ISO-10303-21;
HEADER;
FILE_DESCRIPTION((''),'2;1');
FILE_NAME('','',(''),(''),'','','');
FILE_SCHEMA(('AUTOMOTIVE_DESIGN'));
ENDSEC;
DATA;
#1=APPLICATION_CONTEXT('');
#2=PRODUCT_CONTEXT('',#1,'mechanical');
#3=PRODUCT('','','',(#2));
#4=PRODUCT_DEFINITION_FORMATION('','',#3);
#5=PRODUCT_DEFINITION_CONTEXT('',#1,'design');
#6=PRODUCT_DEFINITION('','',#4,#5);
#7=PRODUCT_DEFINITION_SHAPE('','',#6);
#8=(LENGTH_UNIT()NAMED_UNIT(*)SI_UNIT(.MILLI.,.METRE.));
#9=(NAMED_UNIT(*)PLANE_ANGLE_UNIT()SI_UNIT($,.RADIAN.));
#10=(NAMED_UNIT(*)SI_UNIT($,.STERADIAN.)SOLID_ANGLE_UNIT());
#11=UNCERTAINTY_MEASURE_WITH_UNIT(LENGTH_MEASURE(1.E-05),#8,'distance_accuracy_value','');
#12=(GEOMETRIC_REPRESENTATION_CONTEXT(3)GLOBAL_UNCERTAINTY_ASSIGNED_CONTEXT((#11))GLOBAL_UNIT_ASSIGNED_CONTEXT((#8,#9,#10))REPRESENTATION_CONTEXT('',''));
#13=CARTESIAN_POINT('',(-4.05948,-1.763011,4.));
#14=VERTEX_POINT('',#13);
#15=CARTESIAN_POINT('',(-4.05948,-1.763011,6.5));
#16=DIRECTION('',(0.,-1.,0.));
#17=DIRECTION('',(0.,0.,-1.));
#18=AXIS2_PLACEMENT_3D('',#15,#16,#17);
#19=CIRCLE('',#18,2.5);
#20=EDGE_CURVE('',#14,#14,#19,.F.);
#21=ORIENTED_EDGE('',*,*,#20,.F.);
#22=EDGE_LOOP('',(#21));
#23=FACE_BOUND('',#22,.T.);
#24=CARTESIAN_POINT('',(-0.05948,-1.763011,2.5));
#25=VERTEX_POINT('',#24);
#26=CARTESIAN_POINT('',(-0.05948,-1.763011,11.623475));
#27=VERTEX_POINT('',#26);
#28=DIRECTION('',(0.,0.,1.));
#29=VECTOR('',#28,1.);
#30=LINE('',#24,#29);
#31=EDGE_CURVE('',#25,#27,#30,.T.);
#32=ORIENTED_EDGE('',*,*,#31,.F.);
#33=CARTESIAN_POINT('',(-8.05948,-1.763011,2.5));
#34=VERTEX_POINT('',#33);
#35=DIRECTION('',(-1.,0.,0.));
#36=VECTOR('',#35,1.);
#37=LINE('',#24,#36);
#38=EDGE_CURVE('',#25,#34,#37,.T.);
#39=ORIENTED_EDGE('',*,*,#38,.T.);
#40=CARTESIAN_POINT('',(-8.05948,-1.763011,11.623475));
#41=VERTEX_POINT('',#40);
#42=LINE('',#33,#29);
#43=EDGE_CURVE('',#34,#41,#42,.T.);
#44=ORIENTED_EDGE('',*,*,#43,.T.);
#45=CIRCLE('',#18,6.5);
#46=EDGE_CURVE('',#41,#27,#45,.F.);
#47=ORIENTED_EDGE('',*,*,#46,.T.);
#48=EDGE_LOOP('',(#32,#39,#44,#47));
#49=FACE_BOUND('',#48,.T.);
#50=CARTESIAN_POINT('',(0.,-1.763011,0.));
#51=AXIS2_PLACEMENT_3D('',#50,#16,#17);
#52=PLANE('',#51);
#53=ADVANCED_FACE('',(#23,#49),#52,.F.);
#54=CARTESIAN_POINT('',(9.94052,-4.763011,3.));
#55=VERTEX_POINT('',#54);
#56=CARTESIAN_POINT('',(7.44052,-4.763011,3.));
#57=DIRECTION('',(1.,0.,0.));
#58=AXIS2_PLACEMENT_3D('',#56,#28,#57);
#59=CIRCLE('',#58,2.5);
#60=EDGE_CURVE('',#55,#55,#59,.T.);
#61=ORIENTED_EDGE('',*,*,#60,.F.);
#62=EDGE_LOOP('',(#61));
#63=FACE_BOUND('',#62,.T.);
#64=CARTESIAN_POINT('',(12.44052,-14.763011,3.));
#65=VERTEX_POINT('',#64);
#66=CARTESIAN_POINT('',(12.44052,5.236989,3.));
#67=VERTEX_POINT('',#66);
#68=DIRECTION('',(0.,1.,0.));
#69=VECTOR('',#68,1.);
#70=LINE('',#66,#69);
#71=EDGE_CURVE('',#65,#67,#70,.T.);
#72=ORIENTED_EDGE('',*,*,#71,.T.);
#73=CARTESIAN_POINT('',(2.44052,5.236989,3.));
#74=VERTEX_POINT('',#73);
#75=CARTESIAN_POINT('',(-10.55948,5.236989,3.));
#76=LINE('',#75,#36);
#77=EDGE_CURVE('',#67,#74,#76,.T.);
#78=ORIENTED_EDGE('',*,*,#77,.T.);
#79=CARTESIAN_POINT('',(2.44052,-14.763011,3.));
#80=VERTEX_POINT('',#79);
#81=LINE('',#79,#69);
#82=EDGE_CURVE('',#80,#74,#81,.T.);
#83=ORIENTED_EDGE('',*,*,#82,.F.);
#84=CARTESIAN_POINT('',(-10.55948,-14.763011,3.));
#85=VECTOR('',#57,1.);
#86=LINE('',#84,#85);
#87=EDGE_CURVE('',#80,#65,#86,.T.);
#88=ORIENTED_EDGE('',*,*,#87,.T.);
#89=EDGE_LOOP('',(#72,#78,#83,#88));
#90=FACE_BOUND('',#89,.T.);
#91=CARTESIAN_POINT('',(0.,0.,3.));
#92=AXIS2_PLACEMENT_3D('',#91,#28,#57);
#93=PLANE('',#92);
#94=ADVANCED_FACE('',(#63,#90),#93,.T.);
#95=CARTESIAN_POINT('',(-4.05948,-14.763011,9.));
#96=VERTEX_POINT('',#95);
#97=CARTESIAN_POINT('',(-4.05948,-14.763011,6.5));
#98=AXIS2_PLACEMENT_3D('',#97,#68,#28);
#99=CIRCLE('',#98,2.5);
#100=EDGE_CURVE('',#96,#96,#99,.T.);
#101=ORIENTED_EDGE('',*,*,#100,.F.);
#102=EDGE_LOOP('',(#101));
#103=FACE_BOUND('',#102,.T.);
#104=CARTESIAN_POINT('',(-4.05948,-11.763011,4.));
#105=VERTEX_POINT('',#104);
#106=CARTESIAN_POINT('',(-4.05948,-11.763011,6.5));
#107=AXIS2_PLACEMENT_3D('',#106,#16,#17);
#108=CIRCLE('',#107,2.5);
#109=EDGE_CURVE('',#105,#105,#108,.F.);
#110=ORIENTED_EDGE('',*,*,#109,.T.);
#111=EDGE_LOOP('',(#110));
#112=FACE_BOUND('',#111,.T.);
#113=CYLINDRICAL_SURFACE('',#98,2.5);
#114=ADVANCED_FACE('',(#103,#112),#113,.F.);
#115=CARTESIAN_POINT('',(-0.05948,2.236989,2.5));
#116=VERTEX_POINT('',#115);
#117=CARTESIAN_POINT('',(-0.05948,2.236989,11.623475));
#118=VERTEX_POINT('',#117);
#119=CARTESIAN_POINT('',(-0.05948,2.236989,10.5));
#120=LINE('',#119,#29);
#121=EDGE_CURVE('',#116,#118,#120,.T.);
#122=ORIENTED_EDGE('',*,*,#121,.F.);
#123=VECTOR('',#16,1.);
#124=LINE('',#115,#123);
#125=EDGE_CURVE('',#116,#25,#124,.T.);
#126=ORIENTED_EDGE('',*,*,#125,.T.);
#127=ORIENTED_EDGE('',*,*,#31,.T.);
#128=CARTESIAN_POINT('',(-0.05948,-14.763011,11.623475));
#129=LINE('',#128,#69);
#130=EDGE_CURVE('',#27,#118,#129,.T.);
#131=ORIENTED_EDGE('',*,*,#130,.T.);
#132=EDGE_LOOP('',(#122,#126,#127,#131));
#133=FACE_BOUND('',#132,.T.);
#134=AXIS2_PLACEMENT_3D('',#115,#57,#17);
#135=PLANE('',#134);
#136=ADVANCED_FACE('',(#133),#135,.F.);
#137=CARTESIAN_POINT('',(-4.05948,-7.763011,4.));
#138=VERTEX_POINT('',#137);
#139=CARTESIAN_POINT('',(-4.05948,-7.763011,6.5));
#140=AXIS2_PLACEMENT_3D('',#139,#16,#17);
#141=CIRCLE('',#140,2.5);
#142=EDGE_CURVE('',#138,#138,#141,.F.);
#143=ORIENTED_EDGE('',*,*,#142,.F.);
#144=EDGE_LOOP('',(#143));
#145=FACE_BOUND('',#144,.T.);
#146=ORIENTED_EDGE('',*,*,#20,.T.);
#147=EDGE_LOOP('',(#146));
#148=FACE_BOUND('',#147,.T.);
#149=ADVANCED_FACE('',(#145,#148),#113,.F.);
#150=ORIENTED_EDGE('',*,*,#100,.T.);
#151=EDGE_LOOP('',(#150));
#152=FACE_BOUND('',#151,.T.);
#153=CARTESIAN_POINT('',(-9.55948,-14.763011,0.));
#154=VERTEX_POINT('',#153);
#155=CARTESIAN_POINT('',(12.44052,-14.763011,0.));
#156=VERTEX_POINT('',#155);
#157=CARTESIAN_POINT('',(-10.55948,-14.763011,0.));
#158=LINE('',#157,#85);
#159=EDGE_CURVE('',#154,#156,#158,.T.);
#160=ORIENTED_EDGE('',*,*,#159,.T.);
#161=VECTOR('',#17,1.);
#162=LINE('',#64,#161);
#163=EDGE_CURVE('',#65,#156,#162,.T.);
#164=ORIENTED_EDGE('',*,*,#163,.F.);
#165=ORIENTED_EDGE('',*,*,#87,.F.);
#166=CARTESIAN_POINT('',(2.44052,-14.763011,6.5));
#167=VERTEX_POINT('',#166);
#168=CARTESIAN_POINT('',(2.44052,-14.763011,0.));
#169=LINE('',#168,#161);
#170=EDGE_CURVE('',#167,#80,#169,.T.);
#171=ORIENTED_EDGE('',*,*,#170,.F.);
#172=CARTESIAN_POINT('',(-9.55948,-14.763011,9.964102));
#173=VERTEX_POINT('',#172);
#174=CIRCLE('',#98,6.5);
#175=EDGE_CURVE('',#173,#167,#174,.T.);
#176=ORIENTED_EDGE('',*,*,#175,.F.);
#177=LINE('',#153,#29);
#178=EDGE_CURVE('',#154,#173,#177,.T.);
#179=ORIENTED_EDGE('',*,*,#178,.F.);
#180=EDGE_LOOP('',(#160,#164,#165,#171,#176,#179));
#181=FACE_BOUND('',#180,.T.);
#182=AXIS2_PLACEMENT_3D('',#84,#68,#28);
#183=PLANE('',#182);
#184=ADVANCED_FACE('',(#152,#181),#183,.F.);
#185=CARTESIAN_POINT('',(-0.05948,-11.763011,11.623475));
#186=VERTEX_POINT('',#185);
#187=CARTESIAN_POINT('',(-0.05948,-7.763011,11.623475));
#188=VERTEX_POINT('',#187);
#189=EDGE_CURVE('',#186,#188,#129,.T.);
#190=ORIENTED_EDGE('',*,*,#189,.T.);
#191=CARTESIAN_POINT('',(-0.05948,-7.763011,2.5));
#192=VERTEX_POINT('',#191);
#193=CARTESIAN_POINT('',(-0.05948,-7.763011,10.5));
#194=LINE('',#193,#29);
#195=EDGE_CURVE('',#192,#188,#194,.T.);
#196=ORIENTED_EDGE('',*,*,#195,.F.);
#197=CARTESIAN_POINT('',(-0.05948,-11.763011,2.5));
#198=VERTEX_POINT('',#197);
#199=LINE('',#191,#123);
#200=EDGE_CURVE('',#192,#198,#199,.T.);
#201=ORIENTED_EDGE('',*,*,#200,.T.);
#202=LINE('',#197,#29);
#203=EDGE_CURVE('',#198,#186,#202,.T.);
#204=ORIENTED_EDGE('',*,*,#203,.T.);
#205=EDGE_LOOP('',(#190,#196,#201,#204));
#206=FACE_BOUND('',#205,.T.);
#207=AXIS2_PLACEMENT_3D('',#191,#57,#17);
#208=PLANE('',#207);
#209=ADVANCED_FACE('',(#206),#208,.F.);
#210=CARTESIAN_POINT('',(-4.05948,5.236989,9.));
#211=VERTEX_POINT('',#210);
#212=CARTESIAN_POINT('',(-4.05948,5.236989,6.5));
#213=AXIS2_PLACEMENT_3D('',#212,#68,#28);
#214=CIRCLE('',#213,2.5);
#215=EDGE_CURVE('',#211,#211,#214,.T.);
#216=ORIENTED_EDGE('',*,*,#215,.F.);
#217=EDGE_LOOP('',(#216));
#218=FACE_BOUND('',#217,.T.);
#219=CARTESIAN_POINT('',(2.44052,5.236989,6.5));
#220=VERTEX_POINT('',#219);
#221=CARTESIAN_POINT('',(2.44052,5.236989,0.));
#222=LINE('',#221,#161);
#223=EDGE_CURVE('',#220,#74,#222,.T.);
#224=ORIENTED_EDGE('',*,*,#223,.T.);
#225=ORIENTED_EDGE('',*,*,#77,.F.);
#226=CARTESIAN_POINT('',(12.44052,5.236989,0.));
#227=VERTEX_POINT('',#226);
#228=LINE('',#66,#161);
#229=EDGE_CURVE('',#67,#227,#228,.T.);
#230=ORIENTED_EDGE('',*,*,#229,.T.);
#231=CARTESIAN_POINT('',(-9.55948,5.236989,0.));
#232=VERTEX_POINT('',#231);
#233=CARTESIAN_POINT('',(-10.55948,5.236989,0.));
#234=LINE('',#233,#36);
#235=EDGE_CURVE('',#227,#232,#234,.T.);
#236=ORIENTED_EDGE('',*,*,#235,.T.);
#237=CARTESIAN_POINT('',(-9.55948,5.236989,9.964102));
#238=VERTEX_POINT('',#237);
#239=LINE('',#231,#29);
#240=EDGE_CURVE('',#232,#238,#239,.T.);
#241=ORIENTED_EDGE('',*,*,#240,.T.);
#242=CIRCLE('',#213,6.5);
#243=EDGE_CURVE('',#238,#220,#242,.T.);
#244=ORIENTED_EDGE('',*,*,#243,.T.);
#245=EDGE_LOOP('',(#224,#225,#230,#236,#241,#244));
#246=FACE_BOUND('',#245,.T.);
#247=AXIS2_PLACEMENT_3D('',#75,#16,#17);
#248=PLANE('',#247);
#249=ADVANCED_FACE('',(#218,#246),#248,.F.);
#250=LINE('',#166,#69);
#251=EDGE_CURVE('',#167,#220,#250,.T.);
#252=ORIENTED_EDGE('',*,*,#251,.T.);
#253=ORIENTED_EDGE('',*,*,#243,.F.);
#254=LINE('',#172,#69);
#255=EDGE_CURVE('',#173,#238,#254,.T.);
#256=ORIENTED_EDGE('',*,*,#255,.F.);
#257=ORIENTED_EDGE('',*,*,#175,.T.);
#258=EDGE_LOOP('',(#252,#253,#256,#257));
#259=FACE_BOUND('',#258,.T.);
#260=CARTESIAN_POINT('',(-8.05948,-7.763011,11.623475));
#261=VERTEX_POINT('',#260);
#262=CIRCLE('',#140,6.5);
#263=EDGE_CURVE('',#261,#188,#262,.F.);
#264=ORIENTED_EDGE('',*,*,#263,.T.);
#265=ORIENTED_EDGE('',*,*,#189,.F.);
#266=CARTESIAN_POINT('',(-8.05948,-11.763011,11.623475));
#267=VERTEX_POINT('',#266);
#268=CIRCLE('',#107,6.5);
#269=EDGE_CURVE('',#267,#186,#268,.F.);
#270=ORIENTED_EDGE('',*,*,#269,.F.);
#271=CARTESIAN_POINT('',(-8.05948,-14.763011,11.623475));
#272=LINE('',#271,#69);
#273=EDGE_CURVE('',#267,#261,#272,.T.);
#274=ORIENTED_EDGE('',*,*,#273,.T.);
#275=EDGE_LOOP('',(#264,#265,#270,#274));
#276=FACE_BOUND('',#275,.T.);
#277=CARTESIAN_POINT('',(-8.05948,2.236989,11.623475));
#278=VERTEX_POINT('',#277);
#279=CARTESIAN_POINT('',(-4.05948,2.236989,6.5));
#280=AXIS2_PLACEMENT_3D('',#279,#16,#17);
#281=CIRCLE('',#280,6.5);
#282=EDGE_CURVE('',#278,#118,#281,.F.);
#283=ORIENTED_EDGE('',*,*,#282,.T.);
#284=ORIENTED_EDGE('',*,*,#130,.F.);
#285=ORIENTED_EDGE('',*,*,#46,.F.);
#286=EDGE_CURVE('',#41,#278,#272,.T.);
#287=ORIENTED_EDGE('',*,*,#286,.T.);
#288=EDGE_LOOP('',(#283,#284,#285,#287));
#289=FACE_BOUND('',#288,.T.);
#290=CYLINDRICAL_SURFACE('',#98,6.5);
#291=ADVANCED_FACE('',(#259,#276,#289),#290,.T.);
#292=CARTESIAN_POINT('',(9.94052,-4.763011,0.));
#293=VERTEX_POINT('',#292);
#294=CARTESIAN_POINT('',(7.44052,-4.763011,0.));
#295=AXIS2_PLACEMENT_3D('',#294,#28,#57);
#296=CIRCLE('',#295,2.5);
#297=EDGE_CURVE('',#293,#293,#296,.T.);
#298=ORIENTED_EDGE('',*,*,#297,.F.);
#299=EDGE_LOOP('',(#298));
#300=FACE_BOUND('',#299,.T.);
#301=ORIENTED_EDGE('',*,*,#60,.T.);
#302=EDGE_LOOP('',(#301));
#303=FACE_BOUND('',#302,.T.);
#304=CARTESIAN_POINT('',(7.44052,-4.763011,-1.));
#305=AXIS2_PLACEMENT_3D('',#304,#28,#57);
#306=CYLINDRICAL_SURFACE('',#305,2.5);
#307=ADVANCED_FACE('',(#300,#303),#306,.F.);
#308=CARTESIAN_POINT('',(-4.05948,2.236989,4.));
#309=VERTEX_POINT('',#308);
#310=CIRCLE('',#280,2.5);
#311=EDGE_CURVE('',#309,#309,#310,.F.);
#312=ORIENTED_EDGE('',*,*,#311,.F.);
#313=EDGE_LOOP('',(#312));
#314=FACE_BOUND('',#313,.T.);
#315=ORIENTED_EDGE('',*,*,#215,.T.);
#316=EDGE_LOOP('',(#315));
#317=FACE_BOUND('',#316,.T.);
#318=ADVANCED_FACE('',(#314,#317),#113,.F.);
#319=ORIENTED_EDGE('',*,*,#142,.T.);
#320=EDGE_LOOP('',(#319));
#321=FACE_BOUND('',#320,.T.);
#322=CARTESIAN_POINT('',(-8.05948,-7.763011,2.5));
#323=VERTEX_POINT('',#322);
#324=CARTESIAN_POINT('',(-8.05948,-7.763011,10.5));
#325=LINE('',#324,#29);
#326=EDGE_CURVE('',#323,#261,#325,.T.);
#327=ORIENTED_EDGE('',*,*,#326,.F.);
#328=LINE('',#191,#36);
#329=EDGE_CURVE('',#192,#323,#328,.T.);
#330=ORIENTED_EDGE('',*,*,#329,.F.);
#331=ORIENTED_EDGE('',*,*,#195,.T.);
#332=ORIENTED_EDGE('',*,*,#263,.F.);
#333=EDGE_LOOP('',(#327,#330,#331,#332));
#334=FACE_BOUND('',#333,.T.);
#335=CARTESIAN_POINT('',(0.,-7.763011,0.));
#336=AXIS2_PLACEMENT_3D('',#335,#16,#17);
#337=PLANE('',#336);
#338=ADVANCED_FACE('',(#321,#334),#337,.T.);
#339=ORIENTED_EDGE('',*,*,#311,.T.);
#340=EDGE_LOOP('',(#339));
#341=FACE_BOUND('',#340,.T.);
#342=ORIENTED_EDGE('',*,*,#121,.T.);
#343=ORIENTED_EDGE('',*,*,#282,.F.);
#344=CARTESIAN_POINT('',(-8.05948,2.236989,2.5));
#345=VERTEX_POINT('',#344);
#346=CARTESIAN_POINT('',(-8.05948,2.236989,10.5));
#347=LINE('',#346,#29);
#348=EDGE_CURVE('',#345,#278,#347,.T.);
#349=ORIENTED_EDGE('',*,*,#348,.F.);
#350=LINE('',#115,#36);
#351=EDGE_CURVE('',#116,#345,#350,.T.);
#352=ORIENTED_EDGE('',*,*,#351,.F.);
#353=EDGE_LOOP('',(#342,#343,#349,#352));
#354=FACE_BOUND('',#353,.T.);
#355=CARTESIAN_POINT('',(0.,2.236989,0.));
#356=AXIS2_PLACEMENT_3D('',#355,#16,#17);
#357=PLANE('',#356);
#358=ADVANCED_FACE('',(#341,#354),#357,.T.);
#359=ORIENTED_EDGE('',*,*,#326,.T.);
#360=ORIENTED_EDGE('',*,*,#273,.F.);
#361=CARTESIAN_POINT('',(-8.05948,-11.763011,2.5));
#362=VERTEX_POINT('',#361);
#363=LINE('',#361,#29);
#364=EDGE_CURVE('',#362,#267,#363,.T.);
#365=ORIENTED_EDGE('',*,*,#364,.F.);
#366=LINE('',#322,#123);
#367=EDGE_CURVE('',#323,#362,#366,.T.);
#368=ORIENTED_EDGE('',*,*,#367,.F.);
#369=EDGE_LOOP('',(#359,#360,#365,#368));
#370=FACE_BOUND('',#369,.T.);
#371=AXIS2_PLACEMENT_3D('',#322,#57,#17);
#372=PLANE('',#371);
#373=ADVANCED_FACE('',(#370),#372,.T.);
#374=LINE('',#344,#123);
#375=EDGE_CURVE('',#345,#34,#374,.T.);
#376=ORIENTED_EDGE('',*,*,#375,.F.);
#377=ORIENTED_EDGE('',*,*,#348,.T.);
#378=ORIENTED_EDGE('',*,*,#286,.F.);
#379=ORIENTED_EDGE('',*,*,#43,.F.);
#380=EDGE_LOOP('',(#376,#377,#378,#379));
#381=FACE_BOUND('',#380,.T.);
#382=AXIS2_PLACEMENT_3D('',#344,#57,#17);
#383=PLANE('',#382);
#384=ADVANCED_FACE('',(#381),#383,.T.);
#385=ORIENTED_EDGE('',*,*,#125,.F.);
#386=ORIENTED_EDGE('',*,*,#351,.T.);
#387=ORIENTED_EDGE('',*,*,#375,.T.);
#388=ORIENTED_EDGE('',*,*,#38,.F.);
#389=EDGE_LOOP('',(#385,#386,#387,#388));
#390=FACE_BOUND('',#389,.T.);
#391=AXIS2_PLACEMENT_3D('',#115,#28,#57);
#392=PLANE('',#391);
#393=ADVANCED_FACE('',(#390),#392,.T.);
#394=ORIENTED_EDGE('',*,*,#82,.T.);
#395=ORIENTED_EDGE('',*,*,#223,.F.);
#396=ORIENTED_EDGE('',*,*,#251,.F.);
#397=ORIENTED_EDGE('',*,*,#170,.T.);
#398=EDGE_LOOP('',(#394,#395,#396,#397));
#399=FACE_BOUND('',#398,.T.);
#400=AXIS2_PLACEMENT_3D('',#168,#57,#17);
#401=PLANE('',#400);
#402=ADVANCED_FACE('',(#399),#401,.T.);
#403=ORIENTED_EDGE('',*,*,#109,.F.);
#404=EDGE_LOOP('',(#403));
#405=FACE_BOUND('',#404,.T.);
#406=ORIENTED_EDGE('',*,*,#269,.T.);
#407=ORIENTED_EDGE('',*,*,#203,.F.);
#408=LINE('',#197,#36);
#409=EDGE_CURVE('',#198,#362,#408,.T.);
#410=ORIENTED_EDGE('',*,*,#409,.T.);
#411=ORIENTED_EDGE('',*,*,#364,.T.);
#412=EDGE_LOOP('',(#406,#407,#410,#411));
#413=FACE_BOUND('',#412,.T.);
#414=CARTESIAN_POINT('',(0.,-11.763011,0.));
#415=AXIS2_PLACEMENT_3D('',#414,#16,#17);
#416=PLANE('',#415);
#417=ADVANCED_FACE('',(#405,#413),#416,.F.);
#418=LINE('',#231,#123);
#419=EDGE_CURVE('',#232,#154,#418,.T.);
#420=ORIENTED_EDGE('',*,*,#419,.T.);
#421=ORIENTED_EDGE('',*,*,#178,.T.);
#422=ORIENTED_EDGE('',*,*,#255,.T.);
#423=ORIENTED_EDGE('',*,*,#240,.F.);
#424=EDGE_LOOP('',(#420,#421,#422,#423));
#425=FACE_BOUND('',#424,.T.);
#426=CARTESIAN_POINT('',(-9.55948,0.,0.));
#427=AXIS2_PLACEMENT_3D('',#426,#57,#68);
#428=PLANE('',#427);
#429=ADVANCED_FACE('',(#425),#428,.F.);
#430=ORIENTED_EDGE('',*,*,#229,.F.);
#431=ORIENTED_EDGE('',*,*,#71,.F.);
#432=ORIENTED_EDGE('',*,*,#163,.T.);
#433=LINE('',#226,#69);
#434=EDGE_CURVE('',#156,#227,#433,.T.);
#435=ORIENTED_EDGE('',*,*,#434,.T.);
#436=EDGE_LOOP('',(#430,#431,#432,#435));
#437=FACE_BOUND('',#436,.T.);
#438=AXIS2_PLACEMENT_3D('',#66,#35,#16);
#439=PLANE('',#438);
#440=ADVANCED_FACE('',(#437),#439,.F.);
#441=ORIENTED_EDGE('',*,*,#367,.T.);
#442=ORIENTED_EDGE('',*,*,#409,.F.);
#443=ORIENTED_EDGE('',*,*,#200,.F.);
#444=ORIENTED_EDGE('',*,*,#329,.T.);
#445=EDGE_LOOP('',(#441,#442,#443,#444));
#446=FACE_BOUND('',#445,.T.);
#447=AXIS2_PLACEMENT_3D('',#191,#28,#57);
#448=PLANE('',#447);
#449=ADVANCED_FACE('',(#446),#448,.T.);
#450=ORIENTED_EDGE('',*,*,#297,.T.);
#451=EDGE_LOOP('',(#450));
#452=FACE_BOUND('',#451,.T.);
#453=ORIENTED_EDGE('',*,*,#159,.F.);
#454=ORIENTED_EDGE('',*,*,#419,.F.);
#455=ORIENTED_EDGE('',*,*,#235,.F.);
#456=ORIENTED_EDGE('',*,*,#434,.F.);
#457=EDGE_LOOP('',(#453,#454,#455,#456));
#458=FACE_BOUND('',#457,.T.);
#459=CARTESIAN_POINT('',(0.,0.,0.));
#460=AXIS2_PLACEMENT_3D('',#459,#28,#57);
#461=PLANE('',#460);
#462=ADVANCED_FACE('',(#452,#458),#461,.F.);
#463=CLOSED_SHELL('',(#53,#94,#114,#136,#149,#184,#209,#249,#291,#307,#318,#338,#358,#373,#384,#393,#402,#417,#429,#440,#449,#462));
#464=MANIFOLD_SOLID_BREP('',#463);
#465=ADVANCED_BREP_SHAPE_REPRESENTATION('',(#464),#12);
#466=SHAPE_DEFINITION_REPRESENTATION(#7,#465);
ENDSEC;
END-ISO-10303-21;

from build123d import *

# Parameters (mm, degrees)
SKETCH1_W           = 23
SKETCH1_H           = 20
BOSS_EXTRUDE1_DEPTH = 3
BOSS_EXTRUDE2_DEPTH = 20
CUT_EXTRUDE2_DEPTH  = 2
LPATTERN2_COUNT     = 2
LPATTERN2_PITCH     = 10
SKETCH6_R           = 2.5
CUT_EXTRUDE3_DEPTH  = 4
SKETCH7_W           = 15.359271736
SKETCH7_H           = 20
CUT_EXTRUDE4_DEPTH  = 1


with BuildPart() as part:
    # Sketch1 → Boss-Extrude1 (new body)
    with BuildSketch(Plane.XY):
        with Locations((0.940520446, -4.763011152)):
            Rectangle(SKETCH1_W, SKETCH1_H)
    extrude(amount=BOSS_EXTRUDE1_DEPTH)

    # Sketch2 → Boss-Extrude2 (add, through all)
    with BuildSketch(Plane(origin=(0, 5.236988848, 0), x_dir=(1, 0, 0), z_dir=(0, 1, 0))):
        with BuildLine():
            ThreePointArc((1.417746021, -3), (-0.936980555, -0.799122875), (-4.059479554, 0))
            Line((-4.059479554, 0), (-4.059479554, -3))
            Line((-4.059479554, -3), (1.417746021, -3))
        make_face()
        with BuildLine():
            Line((-4.059479554, -3), (-4.059479554, 0))
            ThreePointArc((-4.059479554, 0), (-7.181978553, -0.799122875), (-9.536705129, -3))
            Line((-9.536705129, -3), (-4.059479554, -3))
        make_face()
        with BuildLine():
            Line((1.417746021, -3), (-4.059479554, -3))
            Line((-4.059479554, -3), (-4.059479554, -4))
            ThreePointArc((-4.059479554, -4), (-2.291712601, -4.732233047), (-1.559479554, -6.5))
            ThreePointArc((-1.559479554, -6.5), (-2.291712601, -8.267766953), (-4.059479554, -9))
            Line((-4.059479554, -9), (-4.059479554, -13))
            ThreePointArc((-4.059479554, -13), (0.536714524, -11.096194078), (2.440520446, -6.5))
            ThreePointArc((2.440520446, -6.5), (2.179589537, -4.676811342), (1.417746021, -3))
        make_face()
        with BuildLine():
            Line((-4.059479554, -4), (-4.059479554, -3))
            Line((-4.059479554, -3), (-9.536705129, -3))
            ThreePointArc((-9.536705129, -3), (-10.298548645, -4.676811342), (-10.559479554, -6.5))
            ThreePointArc((-10.559479554, -6.5), (-8.655673632, -11.096194078), (-4.059479554, -13))
            Line((-4.059479554, -13), (-4.059479554, -9))
            ThreePointArc((-4.059479554, -9), (-6.559479554, -6.5), (-4.059479554, -4))
        make_face()
        with BuildLine():
            ThreePointArc((-10.559479554, -6.5), (-10.298548645, -4.676811342), (-9.536705129, -3))
            Line((-9.536705129, -3), (-10.559479554, -3))
            Line((-10.559479554, -3), (-10.559479554, -6.5))
        make_face()
        with BuildLine():
            Line((2.440520446, -3), (1.417746021, -3))
            ThreePointArc((1.417746021, -3), (2.179589537, -4.676811342), (2.440520446, -6.5))
            Line((2.440520446, -6.5), (2.440520446, -3))
        make_face()
    extrude(amount=-BOSS_EXTRUDE2_DEPTH)

    # Sketch4 → Cut-Extrude2 (cut, symmetric)
    with BuildSketch(Plane(origin=(0, 0.236988848, 0), x_dir=(-1, 0, 0), z_dir=(0, -1, 0))):
        Polygon((0.059479554, -2.5), (8.059479554, -2.5), (8.059479554, -10.5), (8.059479554, -14.57083766), (0.059479554, -14.57083766), (0.059479554, -10.5), align=None)
    cut_extrude2 = extrude(amount=CUT_EXTRUDE2_DEPTH, both=True, mode=Mode.SUBTRACT)

    # LPattern2: Cut-Extrude2 ×2
    with Locations(*[(0, -i * LPATTERN2_PITCH, 0) for i in range(1, LPATTERN2_COUNT)]):
        add(cut_extrude2, mode=Mode.SUBTRACT)

    # Sketch6 → Cut-Extrude3 (cut)
    with BuildSketch(Plane.XY.offset(3)):
        with Locations((7.440520446, -4.763011152)):
            Circle(SKETCH6_R)
    extrude(amount=-CUT_EXTRUDE3_DEPTH, mode=Mode.SUBTRACT)

    # Sketch7 → Cut-Extrude4 (cut)
    with BuildSketch(Plane.ZY.offset(10.559479554)):
        with Locations((7.679635868, -4.763011152)):
            Rectangle(SKETCH7_W, SKETCH7_H)
    extrude(amount=-CUT_EXTRUDE4_DEPTH, mode=Mode.SUBTRACT)


solid = part.part
